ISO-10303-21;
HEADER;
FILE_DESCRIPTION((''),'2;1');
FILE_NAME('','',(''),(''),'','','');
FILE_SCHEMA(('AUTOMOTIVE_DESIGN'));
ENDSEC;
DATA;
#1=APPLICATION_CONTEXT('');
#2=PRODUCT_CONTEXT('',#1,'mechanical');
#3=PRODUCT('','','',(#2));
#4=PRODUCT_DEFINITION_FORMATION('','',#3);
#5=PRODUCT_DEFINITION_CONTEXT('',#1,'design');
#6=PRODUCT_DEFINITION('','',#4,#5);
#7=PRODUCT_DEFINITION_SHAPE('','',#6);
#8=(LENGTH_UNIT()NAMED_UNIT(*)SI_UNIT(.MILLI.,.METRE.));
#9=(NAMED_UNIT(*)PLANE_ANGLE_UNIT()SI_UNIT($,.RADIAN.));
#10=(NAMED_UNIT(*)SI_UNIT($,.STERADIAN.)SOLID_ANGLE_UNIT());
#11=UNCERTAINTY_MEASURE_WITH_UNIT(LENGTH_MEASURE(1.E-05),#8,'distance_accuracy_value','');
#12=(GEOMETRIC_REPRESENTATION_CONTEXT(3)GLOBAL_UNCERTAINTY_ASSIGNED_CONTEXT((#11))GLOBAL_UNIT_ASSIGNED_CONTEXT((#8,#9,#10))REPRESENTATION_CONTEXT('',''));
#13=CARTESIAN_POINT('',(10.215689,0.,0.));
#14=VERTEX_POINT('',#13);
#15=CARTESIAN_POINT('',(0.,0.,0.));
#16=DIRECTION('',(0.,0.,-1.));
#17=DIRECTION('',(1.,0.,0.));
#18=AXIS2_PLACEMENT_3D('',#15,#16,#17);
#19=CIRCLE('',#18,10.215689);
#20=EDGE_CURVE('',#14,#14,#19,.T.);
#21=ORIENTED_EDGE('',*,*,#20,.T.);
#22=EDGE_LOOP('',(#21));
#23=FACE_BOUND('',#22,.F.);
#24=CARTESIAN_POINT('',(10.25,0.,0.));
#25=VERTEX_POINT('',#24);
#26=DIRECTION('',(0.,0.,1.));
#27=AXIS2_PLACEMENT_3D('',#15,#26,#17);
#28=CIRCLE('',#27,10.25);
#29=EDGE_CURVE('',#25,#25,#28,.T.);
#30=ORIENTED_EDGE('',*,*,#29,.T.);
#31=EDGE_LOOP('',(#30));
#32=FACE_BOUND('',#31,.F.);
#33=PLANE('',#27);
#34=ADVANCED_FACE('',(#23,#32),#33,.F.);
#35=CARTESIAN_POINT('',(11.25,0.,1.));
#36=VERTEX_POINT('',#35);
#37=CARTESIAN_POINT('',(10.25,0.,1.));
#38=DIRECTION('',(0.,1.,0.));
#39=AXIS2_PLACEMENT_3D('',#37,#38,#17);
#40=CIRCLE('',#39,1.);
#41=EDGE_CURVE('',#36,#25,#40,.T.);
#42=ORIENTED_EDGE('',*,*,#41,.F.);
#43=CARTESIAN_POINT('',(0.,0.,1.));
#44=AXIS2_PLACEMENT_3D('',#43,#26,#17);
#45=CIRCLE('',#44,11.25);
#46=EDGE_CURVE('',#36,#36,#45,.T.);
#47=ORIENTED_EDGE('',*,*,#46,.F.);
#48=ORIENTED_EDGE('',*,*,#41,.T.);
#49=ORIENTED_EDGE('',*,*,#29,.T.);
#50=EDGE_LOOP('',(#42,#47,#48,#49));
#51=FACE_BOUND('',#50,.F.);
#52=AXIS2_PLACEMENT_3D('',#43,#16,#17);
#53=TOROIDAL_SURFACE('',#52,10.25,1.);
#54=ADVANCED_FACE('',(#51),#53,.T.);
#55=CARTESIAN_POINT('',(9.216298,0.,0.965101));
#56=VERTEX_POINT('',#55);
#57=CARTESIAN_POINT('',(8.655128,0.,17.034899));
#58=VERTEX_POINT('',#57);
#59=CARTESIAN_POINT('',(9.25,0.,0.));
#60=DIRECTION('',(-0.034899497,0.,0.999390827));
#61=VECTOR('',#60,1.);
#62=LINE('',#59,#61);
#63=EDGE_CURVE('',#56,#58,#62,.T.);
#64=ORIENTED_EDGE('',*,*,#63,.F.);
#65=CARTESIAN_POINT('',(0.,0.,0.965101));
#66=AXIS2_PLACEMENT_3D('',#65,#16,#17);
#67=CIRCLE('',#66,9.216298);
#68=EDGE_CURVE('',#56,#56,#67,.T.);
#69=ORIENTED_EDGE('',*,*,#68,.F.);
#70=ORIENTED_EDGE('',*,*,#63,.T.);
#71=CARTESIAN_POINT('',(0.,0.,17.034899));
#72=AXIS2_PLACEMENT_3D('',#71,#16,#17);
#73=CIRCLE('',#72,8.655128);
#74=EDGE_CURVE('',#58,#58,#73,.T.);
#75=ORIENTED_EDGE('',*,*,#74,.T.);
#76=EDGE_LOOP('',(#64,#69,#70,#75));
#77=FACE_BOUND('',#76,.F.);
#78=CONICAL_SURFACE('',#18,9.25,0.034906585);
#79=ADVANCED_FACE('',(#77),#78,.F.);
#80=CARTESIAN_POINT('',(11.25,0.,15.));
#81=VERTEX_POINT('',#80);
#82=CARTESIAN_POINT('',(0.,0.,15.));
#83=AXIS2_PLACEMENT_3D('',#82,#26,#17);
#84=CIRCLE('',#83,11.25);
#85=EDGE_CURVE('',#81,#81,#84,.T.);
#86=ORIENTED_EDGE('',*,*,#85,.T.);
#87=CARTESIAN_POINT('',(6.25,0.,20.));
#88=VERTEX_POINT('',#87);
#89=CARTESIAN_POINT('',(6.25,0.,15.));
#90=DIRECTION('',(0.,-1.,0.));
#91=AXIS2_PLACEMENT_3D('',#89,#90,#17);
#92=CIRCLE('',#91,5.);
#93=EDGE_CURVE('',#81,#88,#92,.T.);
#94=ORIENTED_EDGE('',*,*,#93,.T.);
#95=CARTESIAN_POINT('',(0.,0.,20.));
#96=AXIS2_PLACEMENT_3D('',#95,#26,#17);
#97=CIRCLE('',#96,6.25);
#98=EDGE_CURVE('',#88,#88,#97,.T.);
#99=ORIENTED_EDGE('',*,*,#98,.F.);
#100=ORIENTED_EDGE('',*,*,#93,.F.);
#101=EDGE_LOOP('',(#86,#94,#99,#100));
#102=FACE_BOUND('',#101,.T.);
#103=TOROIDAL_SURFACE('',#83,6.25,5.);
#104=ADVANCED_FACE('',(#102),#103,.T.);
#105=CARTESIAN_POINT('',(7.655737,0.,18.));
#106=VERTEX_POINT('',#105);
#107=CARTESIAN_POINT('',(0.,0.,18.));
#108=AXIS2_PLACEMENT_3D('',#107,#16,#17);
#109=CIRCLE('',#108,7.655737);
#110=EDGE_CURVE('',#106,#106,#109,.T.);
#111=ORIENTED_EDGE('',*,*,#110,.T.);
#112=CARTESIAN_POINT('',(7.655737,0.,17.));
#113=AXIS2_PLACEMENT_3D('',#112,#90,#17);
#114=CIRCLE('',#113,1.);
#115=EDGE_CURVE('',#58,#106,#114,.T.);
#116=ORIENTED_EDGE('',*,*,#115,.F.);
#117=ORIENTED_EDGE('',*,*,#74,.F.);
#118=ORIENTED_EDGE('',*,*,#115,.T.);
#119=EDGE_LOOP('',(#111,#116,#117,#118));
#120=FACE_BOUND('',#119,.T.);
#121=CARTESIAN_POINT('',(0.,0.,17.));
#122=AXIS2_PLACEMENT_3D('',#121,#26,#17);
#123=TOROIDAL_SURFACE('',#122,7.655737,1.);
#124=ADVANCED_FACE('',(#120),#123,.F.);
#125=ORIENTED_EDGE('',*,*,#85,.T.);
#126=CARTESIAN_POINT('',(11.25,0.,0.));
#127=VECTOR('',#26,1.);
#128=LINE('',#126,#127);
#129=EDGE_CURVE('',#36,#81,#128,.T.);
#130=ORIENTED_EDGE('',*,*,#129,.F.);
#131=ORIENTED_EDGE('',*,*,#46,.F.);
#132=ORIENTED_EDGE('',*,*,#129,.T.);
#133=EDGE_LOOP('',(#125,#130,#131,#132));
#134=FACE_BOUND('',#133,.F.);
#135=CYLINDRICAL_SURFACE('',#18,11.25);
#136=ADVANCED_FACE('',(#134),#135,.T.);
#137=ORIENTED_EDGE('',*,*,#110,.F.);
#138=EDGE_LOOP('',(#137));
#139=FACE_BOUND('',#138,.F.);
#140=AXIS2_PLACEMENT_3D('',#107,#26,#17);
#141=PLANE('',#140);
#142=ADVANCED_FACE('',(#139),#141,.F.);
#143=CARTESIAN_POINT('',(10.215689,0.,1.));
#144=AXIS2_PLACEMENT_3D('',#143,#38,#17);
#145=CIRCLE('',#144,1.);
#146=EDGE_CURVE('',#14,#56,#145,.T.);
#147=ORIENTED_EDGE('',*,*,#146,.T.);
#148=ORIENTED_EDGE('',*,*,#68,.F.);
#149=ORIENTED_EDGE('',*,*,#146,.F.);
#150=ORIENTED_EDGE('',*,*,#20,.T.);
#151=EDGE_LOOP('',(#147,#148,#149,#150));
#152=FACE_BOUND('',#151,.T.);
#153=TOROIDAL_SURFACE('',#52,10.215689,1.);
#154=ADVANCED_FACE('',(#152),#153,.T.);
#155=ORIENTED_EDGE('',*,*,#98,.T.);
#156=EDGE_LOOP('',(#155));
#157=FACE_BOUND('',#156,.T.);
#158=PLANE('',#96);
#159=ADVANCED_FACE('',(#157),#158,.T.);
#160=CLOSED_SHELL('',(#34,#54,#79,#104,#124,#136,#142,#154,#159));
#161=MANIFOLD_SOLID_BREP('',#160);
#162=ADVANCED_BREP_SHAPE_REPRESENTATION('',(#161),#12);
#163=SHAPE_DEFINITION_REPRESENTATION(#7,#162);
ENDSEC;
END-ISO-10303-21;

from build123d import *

# Parameters (mm, degrees)
F0_R     = 11.25
F0_R_2   = 9.25
F1_DEPTH = 20
F2_DEPTH = 18
F2_TAPER = 2
F3_R     = 5
F4_R     = 1


with BuildPart() as f1:
    # F0 (on Top) → F1 (new body)
    with BuildSketch(Plane.XY):
        Circle(F0_R)
        Circle(F0_R_2, mode=Mode.SUBTRACT)
        Circle(F0_R_2)
    extrude(amount=F1_DEPTH)

    # F0 (on Top) → F2 (cut)
    with BuildSketch(Plane.XY):
        Circle(F0_R_2)
    extrude(amount=F2_DEPTH, taper=F2_TAPER, mode=Mode.SUBTRACT)

    # F3
    f3_edges = [f1.edges().sort_by_distance(p)[0] for p in [
        (-11.25, 0, 20),
    ]]
    fillet(f3_edges, radius=F3_R)

    # F4
    f4_edges = [f1.edges().sort_by_distance(p)[0] for p in [
        (11.25, 0, 7.5),
        (-11.25, 0, 15),
        (-11.25, 0, 0),
        (-9.25, 0, 0),
        (8.935713, 0, 9),
        (-8.621426, 0, 18),
    ]]
    fillet(f4_edges, radius=F4_R)


solid = f1.part
